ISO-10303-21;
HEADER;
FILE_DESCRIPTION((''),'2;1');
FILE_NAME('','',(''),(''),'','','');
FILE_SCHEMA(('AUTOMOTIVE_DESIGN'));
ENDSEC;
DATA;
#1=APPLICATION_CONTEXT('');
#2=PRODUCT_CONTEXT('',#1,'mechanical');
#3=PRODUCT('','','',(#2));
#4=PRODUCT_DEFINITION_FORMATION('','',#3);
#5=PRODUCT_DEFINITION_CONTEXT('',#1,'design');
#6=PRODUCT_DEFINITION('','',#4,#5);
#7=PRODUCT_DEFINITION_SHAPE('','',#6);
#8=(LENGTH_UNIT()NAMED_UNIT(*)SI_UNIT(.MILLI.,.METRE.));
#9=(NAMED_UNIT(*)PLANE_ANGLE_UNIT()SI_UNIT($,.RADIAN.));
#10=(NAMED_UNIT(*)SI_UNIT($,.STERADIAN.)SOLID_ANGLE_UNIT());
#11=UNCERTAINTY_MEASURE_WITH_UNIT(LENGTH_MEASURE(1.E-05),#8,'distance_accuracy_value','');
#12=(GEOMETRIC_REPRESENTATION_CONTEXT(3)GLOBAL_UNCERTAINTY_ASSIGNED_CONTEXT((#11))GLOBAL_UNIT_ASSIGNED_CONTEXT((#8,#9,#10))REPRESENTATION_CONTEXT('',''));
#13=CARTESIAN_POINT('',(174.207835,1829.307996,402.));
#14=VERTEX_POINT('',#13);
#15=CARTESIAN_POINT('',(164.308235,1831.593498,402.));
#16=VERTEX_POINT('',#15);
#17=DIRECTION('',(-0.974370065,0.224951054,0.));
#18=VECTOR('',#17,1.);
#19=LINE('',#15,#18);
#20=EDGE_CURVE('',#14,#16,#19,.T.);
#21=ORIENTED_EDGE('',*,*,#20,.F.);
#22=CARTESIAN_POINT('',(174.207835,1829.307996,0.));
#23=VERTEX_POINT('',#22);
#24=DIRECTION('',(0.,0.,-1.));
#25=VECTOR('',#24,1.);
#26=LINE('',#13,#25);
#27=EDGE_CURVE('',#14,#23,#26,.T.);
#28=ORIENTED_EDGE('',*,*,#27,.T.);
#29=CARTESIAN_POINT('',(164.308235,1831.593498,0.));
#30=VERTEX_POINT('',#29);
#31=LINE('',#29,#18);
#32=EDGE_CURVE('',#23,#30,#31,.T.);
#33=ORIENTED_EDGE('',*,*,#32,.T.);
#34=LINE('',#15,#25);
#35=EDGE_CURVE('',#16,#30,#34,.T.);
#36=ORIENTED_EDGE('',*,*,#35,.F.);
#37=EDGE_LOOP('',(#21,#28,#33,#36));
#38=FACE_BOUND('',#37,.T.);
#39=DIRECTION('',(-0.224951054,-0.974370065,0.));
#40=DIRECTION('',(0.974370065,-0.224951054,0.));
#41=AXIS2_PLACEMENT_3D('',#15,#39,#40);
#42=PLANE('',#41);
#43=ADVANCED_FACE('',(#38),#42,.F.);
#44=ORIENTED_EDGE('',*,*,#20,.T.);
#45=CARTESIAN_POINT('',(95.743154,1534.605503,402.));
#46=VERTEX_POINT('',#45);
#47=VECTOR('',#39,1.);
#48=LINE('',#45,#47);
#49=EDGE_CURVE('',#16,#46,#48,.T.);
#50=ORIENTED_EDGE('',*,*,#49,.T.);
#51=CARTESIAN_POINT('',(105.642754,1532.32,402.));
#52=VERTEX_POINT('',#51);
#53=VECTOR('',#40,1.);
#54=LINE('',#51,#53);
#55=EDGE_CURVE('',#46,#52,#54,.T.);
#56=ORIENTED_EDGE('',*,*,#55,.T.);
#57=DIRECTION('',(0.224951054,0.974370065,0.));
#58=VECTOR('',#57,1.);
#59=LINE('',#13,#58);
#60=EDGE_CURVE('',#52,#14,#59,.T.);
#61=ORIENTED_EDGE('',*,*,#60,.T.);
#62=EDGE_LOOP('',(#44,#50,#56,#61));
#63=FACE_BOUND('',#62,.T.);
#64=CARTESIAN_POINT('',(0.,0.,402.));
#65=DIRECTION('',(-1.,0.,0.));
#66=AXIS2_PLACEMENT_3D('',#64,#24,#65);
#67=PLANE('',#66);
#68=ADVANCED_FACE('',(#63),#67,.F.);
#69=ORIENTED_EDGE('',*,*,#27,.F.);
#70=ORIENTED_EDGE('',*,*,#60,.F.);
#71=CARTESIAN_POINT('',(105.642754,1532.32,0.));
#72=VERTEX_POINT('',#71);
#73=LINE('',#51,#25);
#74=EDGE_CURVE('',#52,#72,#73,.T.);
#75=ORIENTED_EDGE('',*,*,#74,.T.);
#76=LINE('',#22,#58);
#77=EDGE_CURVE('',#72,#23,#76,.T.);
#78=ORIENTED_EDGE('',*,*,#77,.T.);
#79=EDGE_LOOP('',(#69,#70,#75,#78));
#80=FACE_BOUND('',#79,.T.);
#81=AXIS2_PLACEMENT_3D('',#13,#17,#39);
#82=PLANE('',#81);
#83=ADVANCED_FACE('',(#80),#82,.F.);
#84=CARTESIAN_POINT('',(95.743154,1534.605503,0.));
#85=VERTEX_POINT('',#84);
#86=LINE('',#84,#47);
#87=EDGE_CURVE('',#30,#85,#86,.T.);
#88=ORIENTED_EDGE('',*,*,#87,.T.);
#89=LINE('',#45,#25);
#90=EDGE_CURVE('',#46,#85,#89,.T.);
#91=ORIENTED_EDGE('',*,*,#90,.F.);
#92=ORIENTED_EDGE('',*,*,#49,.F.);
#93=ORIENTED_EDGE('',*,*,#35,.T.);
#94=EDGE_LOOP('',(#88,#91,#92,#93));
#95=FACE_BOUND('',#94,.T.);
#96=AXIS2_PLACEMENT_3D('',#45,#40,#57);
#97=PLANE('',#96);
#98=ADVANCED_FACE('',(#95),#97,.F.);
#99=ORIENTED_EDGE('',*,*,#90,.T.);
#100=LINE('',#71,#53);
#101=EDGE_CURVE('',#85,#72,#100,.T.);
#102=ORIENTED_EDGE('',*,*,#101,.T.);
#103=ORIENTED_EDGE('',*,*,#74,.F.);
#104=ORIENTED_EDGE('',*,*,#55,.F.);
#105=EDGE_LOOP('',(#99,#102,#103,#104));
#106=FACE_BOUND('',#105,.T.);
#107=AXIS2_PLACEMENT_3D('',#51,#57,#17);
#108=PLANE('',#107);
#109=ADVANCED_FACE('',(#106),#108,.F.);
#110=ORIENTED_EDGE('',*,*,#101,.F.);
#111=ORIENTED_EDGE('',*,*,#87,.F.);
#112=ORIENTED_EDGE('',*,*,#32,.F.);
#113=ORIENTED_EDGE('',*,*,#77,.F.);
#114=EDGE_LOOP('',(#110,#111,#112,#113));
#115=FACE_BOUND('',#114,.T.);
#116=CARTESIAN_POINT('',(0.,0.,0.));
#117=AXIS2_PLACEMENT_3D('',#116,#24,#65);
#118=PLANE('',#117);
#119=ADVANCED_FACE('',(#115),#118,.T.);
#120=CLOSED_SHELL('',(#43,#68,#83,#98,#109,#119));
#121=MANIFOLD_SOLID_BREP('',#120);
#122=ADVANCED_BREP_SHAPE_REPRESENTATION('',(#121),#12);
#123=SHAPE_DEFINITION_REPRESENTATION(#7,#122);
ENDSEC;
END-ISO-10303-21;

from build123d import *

# Parameters (mm, degrees)
BOSS_EXTRUDE1_DEPTH = 402


with BuildPart() as part:
    # Sketch1 → Boss-Extrude1 (new body)
    with BuildSketch(Plane.XY):
        Polygon((174.207835311, 1829.307995747), (105.642753947, 1532.32), (95.743154089, 1534.605502712), (164.308235453, 1831.593498459), align=None)
    extrude(amount=BOSS_EXTRUDE1_DEPTH)


solid = part.part
